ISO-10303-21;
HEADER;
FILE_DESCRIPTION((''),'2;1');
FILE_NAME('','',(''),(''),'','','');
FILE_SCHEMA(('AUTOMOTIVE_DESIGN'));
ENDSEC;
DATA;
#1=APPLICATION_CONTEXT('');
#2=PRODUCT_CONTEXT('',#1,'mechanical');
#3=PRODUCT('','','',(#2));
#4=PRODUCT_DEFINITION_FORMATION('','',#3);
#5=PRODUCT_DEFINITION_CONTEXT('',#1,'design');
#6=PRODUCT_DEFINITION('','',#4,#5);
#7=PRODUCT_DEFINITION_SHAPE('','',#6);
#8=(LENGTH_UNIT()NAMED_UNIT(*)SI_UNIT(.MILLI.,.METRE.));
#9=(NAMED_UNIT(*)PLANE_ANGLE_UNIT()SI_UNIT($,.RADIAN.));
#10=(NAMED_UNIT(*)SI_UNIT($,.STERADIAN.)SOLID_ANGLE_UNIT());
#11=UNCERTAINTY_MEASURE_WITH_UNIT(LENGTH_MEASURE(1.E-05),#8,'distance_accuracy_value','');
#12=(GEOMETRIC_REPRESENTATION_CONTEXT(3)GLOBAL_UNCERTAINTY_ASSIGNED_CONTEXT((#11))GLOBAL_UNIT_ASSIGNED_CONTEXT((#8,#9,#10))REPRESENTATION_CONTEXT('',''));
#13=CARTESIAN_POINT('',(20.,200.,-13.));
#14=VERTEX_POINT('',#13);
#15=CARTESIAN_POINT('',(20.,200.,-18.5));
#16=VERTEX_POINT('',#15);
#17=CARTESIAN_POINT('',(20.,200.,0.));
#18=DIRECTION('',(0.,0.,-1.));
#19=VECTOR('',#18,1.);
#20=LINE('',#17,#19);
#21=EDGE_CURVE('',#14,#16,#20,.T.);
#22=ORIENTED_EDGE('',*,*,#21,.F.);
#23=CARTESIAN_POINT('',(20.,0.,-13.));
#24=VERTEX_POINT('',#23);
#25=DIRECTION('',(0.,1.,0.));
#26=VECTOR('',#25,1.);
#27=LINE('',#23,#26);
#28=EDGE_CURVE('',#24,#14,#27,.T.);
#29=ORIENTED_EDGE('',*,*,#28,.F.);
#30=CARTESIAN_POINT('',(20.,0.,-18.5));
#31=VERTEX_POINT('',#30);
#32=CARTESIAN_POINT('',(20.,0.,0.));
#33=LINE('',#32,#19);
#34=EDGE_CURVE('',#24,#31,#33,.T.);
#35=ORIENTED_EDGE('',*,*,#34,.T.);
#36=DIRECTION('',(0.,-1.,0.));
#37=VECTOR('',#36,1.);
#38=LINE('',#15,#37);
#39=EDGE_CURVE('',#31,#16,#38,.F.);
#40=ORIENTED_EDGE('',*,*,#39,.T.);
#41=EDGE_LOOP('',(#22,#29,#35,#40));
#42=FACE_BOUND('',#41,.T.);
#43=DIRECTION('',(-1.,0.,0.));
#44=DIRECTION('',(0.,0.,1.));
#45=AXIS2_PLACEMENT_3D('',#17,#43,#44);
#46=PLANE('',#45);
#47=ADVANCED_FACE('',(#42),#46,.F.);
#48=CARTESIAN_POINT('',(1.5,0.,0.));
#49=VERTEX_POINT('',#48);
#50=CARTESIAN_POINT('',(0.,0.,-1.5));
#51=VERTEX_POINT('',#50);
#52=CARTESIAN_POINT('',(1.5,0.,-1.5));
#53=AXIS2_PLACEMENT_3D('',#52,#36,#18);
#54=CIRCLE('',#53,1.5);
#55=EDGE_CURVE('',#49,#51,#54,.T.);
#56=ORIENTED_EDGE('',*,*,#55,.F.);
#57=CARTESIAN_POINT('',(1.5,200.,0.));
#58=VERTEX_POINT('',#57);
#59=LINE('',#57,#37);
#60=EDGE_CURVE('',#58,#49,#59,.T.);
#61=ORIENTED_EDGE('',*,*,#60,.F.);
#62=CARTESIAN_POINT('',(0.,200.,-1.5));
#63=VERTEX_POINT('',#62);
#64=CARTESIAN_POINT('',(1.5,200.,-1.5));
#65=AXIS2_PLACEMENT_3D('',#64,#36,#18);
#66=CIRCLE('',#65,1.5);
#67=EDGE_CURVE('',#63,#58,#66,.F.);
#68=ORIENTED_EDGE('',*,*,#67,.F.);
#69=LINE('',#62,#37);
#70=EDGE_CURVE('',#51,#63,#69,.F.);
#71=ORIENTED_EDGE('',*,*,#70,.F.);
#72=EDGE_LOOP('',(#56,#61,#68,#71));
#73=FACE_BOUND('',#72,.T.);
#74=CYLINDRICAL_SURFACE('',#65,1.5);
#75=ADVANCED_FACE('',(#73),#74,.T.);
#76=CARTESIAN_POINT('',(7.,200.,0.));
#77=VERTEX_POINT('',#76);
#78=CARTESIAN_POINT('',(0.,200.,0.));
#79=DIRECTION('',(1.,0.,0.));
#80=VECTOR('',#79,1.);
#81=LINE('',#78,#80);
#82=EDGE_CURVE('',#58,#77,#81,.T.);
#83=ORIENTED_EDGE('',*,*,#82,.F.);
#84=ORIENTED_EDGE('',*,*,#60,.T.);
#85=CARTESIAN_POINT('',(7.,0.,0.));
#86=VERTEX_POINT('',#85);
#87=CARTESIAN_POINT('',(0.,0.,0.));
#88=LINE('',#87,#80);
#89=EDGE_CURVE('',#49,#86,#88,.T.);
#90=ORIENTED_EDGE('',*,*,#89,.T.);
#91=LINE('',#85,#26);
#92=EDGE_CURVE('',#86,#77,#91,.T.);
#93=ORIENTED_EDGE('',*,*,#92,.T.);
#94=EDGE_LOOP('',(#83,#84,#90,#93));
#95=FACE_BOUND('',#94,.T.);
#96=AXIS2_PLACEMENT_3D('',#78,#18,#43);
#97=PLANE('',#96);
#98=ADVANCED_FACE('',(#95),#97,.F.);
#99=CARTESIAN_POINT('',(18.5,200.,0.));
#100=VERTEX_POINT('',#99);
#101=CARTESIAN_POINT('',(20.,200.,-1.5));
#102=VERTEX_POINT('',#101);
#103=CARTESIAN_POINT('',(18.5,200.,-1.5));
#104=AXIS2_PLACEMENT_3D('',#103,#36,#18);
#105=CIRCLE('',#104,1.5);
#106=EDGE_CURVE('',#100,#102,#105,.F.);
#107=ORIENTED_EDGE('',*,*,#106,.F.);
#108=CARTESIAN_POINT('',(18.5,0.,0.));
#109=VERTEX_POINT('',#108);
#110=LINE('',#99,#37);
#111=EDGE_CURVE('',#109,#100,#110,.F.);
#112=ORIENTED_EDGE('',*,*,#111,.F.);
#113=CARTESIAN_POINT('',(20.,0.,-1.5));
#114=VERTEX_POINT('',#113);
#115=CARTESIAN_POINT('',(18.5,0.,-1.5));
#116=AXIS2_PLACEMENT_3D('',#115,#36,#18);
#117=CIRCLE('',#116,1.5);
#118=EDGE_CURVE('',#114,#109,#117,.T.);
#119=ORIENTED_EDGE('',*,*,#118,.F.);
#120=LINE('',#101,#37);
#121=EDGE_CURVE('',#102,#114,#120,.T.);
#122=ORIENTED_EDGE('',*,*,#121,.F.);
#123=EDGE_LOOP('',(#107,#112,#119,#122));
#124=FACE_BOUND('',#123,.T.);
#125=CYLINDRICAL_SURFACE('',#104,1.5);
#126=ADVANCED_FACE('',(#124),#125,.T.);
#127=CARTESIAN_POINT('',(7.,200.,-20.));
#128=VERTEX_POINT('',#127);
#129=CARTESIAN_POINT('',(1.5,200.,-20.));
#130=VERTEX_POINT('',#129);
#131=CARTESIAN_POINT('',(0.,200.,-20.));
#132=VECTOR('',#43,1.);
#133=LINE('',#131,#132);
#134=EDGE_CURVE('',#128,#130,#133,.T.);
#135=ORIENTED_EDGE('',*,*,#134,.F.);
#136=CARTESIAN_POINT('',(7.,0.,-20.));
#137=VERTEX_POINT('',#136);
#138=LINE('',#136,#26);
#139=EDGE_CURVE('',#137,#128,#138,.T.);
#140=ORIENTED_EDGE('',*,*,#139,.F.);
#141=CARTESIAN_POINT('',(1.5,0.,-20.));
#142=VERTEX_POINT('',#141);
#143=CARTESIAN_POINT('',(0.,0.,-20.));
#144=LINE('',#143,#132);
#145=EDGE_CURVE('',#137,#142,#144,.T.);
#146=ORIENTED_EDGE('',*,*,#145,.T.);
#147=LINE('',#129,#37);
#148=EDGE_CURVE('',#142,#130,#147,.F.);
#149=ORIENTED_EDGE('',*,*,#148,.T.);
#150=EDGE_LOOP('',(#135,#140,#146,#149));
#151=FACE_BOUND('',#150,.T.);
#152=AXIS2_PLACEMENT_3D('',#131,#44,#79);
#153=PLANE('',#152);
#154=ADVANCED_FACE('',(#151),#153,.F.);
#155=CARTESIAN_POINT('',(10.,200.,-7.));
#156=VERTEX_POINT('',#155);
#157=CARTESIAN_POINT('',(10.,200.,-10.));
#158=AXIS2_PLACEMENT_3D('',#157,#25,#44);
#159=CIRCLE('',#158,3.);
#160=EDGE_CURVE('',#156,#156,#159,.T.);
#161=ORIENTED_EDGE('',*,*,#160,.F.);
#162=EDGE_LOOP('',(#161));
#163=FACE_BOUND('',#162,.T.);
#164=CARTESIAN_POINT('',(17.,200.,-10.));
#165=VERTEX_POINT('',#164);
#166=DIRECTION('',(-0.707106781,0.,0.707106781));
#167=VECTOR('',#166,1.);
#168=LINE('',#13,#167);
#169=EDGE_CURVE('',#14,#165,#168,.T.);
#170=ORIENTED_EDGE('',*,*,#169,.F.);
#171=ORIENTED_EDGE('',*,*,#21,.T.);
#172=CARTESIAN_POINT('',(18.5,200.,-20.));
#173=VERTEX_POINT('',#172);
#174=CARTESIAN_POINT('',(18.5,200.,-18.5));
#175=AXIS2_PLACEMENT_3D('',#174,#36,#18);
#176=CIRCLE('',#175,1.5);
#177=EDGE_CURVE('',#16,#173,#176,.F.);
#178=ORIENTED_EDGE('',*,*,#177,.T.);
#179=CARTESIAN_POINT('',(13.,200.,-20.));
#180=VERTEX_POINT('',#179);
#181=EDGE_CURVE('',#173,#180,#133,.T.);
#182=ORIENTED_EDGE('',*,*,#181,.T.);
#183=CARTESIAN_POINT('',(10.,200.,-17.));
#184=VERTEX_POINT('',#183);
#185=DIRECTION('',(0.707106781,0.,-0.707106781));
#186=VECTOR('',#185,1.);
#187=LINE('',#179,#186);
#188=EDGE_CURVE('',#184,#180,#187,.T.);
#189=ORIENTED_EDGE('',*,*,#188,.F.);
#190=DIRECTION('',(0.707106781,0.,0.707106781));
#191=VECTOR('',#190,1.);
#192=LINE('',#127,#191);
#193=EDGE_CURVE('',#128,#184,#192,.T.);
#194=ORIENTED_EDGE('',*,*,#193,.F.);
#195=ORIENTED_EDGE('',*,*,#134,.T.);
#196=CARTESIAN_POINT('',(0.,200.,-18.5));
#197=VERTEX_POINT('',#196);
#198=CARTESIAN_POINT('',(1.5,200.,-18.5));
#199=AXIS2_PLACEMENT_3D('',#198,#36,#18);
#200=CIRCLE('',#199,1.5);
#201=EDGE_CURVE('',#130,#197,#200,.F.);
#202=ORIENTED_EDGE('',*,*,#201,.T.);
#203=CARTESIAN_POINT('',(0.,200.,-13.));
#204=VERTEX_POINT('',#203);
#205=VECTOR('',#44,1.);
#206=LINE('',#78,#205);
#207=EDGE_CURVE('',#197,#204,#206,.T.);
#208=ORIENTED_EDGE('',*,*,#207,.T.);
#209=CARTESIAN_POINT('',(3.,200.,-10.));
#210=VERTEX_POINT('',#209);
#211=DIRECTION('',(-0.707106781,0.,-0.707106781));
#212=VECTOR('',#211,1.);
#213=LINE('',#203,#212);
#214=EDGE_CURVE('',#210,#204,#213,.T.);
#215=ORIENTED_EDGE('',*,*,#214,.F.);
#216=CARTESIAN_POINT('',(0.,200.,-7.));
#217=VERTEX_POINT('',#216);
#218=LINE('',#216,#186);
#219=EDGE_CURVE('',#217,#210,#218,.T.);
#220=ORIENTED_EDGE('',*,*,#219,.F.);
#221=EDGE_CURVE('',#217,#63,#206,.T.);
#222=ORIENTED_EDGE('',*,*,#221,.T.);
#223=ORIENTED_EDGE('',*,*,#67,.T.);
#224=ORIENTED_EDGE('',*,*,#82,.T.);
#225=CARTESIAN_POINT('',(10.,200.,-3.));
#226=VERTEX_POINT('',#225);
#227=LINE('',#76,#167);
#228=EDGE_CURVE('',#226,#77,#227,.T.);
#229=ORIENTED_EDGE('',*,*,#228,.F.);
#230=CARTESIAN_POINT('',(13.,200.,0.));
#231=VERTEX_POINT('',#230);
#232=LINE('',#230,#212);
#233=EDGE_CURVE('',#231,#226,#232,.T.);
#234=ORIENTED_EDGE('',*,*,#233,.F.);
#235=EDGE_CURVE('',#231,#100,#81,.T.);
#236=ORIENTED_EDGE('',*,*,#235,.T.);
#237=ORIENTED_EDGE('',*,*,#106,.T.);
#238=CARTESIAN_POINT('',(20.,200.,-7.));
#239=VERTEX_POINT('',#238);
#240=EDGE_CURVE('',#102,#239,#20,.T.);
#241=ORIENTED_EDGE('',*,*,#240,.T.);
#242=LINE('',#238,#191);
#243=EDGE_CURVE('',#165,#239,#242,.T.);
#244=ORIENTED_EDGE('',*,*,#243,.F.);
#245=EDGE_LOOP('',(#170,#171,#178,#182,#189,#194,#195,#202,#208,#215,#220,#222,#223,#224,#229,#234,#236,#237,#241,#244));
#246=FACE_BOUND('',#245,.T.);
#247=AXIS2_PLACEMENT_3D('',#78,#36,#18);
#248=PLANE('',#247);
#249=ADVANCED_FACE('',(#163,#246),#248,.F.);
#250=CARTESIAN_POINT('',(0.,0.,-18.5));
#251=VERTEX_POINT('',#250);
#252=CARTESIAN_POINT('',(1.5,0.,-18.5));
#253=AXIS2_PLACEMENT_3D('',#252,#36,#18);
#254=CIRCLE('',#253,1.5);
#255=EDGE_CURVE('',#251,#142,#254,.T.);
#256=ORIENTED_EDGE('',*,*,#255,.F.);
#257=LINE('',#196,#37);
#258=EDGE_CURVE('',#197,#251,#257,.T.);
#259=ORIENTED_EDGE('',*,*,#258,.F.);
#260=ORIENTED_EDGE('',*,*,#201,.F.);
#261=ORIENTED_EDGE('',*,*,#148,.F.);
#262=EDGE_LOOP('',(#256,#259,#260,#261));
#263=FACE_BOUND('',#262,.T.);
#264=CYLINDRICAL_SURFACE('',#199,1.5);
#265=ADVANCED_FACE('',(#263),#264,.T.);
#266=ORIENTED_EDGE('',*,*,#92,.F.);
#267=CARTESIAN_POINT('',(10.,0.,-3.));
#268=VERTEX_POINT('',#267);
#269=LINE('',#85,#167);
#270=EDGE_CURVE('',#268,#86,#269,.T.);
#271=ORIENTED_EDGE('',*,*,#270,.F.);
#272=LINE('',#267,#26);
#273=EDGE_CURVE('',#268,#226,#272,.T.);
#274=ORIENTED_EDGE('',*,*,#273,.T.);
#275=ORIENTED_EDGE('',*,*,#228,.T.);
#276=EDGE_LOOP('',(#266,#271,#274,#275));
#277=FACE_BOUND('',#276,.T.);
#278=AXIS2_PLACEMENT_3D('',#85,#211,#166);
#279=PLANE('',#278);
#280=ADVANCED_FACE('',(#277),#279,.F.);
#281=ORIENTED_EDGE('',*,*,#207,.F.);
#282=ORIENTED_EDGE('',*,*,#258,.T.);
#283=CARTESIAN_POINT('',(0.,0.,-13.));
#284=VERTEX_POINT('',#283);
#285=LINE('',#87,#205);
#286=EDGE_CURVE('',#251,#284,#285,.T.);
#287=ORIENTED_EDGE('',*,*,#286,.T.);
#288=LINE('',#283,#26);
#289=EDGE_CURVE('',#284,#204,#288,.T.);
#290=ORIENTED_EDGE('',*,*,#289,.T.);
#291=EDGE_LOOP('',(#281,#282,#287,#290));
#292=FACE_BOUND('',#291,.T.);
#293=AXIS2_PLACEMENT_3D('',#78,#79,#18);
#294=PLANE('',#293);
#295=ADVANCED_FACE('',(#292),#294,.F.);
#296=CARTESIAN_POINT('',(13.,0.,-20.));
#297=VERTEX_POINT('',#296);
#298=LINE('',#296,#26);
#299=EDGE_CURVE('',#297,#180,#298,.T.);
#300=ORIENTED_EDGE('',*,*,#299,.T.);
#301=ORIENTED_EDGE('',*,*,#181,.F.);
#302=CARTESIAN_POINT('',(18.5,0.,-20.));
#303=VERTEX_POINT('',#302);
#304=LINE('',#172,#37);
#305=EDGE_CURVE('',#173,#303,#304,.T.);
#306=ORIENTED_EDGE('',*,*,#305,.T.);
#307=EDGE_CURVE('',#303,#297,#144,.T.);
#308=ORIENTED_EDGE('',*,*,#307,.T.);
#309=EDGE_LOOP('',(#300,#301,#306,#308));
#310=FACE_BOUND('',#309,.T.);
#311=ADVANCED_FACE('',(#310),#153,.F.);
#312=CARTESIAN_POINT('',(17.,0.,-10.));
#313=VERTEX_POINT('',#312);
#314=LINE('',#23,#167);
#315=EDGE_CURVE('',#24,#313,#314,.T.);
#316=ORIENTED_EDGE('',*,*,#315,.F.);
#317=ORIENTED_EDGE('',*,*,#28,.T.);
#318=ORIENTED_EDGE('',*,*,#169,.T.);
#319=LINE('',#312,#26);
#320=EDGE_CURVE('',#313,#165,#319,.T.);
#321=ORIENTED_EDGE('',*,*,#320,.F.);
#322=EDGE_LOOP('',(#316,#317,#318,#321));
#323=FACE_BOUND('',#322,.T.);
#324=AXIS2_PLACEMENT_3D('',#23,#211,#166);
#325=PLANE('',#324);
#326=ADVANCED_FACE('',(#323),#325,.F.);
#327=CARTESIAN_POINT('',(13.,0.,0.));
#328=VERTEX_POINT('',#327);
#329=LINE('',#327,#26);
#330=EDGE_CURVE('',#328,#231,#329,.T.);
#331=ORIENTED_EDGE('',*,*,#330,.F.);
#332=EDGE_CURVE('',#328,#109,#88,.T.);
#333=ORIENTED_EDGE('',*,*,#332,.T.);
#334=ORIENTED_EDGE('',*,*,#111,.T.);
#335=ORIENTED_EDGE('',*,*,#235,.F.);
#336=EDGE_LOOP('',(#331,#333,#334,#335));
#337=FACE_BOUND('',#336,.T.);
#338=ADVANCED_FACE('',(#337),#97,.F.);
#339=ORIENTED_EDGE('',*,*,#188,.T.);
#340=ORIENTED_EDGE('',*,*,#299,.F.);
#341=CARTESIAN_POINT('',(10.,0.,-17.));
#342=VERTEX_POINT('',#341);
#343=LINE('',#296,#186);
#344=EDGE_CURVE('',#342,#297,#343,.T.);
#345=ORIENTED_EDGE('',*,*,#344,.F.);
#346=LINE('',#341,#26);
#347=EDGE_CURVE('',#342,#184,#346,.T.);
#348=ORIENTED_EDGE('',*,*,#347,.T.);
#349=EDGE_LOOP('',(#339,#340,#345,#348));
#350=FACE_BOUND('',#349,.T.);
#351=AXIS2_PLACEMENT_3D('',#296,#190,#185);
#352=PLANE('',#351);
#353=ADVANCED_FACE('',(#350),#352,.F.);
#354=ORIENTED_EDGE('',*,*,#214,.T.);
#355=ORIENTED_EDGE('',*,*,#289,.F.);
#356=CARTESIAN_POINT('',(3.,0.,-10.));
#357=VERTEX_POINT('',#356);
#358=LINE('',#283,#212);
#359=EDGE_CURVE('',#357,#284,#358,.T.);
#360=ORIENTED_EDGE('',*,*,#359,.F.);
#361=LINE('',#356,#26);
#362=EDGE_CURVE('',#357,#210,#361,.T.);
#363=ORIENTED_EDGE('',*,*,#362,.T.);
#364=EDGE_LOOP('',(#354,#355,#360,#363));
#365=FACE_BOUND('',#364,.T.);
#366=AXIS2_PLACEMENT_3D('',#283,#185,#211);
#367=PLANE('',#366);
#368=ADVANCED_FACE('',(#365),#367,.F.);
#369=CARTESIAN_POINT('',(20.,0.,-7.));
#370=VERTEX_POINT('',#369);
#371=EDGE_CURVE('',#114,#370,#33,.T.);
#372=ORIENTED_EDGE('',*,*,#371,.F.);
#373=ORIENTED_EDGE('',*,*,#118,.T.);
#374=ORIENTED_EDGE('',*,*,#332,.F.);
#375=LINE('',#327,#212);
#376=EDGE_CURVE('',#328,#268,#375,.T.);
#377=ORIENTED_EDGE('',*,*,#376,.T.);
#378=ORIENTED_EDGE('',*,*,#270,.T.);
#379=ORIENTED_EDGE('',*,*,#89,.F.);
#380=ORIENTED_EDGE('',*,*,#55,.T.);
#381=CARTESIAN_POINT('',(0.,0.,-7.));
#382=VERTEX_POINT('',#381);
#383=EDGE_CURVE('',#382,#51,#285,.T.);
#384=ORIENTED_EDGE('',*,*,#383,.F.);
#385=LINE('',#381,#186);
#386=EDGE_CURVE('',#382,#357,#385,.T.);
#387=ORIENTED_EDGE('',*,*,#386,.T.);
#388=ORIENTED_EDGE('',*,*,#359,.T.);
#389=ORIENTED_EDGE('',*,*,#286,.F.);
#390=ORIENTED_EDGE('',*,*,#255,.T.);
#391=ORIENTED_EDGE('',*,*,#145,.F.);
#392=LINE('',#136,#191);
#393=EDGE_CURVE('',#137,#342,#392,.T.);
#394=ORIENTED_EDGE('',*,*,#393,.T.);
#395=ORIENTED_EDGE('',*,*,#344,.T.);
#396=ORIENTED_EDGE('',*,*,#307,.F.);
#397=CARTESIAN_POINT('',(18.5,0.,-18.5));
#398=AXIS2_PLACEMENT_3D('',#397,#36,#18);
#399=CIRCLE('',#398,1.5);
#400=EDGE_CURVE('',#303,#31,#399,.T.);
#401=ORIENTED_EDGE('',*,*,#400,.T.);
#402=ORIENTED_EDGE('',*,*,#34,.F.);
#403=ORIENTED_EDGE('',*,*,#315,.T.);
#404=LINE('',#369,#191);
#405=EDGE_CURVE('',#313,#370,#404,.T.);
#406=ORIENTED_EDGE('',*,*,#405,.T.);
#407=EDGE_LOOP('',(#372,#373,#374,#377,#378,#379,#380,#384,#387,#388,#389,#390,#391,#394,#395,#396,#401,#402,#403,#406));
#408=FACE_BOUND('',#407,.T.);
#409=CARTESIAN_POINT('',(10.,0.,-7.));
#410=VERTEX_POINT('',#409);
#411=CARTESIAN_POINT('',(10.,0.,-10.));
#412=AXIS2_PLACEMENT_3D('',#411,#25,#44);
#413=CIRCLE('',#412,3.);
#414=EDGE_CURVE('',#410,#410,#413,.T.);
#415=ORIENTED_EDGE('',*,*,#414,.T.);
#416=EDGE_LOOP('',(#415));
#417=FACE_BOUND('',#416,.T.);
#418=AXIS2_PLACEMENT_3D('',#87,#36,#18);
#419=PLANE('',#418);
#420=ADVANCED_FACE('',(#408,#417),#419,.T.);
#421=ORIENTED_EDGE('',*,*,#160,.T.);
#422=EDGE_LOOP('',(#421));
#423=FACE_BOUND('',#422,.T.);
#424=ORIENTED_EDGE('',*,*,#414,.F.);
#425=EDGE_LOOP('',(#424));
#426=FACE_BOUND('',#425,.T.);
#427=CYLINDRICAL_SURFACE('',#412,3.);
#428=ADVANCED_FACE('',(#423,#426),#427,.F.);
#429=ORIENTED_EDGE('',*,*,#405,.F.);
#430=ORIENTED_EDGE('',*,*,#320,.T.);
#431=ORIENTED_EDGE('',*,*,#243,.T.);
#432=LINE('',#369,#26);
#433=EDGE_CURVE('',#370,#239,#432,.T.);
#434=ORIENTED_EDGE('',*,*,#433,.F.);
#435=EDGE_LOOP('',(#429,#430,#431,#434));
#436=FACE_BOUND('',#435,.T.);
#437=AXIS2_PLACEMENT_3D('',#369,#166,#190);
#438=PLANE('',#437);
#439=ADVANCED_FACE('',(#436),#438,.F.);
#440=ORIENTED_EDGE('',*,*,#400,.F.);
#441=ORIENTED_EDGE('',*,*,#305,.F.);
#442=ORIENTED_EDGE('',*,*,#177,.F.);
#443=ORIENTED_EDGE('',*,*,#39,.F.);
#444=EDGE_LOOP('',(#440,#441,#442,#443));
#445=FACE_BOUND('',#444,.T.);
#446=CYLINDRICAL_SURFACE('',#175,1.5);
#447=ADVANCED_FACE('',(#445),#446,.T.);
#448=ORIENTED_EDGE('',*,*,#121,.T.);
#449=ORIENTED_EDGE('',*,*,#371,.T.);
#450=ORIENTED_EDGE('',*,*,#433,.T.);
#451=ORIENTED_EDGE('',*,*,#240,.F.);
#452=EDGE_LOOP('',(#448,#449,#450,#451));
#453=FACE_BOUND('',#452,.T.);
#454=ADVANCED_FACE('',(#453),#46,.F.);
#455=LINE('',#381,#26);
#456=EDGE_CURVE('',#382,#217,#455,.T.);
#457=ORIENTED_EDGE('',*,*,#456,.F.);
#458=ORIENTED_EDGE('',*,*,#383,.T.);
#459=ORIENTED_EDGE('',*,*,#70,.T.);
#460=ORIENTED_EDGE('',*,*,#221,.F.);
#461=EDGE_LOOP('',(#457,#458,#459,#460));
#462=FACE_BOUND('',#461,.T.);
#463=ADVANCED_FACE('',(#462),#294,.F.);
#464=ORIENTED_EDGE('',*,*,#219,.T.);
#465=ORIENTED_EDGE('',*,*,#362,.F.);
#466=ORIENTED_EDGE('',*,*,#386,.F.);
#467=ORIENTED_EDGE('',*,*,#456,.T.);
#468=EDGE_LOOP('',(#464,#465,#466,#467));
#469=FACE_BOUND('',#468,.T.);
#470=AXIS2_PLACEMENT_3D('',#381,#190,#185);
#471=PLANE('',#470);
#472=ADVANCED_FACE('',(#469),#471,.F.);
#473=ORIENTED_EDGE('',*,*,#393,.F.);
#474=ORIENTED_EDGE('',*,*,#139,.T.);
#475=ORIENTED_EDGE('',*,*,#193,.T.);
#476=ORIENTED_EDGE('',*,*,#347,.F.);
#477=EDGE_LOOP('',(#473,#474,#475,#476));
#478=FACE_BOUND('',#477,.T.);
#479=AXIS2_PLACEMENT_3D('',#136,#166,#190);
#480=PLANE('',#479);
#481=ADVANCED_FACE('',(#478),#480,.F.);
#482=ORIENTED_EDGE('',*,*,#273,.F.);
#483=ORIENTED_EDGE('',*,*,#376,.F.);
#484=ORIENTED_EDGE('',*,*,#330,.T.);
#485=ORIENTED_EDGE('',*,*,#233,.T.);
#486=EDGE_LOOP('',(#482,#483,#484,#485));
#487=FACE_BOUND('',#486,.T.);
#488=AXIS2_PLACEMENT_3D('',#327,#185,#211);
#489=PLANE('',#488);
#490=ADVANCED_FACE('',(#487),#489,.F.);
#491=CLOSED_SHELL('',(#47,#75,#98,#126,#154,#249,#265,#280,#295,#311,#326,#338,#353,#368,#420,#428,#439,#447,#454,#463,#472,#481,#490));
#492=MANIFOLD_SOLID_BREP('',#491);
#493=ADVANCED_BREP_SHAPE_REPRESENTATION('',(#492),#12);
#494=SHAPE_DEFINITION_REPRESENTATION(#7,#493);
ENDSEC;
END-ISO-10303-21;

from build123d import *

# Parameters (mm, degrees)
SKIZZE1_W                       = 20
SKIZZE1_H                       = 20
AUFSATZ_LINEAR_AUSTRAGEN1_DEPTH = 200
SCHNITT_LINEAR_AUSTRAGEN1_DEPTH = 201
SKIZZE3_R                       = 3
SCHNITT_LINEAR_AUSTRAGEN2_DEPTH = 201
FILLET1_R                       = 1.5


with BuildPart() as part:
    # Skizze1 → Aufsatz-Linear austragen1 (new body)
    with BuildSketch(Plane(origin=(0, 0, 0), x_dir=(1, 0, 0), z_dir=(0, 1, 0))):
        with Locations((10, 10)):
            Rectangle(SKIZZE1_W, SKIZZE1_H)
    extrude(amount=AUFSATZ_LINEAR_AUSTRAGEN1_DEPTH)

    # Skizze2 → Schnitt-Linear austragen1 (cut, through all)
    with BuildSketch(Plane(origin=(0, 200, 0), x_dir=(1, 0, 0), z_dir=(0, 1, 0))):
        Polygon((7, 20), (10, 17), (13, 20), align=None)
        Polygon((20, 13), (17, 10), (20, 7), align=None)
        Polygon((0, 7), (0, 13), (3, 10), align=None)
        Polygon((7, 0), (13, 0), (10, 3), align=None)
    extrude(amount=-SCHNITT_LINEAR_AUSTRAGEN1_DEPTH, mode=Mode.SUBTRACT)

    # Skizze3 → Schnitt-Linear austragen2 (cut, through all)
    with BuildSketch(Plane(origin=(0, 200, 0), x_dir=(1, 0, 0), z_dir=(0, 1, 0))):
        with Locations((10, 10)):
            Circle(SKIZZE3_R)
    extrude(amount=-SCHNITT_LINEAR_AUSTRAGEN2_DEPTH, mode=Mode.SUBTRACT)

    # Fillet1
    fillet1_edges = [part.edges().sort_by_distance(p)[0] for p in [
        (0, 100, -20),
        (20, 100, -20),
        (20, 100, 0),
        (0, 100, 0),
    ]]
    fillet(fillet1_edges, radius=FILLET1_R)


solid = part.part
